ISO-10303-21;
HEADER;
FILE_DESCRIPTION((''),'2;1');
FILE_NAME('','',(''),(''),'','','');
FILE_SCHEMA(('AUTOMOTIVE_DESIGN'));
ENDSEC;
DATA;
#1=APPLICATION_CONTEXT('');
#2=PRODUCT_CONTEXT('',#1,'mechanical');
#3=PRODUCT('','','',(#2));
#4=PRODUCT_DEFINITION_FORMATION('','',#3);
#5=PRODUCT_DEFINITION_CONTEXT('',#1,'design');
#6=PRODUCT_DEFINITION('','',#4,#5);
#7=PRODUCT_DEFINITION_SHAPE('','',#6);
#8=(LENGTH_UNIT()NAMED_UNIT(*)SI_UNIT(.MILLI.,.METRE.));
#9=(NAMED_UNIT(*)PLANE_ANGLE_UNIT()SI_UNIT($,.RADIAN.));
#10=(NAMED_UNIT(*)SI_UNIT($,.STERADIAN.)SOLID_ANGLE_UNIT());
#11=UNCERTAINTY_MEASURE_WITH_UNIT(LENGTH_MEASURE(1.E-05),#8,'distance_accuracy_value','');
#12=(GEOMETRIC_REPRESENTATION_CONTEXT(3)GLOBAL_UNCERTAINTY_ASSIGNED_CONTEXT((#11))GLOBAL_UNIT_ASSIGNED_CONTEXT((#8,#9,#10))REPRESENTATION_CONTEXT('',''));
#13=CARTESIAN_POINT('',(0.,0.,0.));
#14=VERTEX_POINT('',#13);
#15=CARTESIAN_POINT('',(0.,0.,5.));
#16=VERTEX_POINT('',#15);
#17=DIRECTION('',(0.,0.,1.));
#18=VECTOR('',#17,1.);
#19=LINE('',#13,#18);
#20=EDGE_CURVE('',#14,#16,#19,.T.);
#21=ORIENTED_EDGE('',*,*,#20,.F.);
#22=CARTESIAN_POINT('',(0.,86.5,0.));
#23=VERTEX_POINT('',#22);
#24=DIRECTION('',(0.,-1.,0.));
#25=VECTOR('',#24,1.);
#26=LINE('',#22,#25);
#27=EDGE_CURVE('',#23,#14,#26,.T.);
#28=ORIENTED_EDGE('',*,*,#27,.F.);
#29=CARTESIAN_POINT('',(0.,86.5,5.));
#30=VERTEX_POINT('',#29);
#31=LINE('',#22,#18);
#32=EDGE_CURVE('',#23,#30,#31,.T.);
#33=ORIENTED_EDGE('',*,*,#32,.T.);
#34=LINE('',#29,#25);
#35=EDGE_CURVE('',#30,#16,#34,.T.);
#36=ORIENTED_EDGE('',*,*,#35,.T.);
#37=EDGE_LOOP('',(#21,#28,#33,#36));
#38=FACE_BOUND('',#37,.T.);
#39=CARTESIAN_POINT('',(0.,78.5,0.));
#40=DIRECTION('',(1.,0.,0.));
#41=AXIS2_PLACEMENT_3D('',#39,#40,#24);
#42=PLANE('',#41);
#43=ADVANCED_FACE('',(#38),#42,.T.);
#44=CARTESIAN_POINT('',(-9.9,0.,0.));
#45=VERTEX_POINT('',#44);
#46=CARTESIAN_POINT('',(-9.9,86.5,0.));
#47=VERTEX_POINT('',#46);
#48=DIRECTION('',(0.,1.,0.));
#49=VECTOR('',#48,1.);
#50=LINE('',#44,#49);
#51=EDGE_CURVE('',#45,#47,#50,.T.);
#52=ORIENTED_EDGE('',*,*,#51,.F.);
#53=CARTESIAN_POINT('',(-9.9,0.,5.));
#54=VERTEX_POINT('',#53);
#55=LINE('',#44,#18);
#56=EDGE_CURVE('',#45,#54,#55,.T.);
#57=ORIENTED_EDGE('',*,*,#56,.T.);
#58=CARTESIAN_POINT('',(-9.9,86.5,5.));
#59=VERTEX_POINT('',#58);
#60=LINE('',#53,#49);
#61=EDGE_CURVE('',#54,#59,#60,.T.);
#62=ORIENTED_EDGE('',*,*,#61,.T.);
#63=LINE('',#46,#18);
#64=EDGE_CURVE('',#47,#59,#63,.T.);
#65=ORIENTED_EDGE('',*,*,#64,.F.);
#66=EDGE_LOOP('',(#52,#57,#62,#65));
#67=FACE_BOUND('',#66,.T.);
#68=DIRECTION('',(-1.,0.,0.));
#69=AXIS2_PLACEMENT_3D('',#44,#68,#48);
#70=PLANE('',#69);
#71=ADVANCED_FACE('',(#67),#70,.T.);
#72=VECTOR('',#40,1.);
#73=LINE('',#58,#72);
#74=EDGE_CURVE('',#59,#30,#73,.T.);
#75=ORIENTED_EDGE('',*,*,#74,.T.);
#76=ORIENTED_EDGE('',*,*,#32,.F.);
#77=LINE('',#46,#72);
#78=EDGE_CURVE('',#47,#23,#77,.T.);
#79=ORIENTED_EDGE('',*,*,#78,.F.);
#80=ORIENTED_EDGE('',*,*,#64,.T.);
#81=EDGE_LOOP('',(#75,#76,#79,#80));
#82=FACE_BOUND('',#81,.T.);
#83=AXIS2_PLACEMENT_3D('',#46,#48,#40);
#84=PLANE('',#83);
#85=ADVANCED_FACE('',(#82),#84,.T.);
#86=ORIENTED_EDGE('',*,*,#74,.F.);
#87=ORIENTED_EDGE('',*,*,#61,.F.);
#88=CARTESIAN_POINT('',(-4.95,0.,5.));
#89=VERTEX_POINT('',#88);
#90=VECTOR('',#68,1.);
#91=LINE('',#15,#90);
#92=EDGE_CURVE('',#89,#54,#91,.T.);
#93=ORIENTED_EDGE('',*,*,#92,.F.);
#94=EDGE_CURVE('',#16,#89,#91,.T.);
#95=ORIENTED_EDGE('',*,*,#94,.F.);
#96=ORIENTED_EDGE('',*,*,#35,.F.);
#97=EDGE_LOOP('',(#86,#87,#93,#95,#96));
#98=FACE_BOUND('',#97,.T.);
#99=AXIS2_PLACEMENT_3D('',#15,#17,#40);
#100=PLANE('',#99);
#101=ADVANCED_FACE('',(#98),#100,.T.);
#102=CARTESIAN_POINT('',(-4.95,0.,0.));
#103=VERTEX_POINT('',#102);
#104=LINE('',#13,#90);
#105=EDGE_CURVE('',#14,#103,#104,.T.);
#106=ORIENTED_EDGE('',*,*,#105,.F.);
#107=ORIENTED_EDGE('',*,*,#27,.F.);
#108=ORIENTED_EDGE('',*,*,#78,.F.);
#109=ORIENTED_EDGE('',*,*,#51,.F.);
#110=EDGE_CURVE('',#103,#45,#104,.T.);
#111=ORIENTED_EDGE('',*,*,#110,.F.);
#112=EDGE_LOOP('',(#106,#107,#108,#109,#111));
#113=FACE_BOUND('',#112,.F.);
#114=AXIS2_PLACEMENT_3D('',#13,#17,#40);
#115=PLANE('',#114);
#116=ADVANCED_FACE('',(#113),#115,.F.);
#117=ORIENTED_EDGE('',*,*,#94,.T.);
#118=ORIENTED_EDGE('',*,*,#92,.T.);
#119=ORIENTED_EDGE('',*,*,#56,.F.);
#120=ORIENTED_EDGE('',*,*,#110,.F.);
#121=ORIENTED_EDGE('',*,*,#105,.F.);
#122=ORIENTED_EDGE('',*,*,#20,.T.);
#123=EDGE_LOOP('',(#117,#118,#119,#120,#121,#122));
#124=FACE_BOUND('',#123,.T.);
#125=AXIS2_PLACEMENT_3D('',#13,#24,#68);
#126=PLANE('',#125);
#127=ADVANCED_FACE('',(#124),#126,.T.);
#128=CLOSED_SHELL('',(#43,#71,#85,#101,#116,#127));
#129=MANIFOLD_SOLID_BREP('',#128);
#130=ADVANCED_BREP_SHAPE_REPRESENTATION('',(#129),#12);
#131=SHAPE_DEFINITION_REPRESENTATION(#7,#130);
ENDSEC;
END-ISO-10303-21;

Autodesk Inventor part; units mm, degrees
ref_plane "YZ Plane" through (0, 0, 0) normal (1, 0, 0) x (0, 1, 0)
ref_plane "XZ Plane" through (0, 0, 0) normal (0, 1, 0) x (-1, 0, 0)
ref_plane "XY Plane" through (0, 0, 0) normal (0, 0, 1) x (1, 0, 0)
sketch "Sketch2" plane through (0, 0, 0) normal (0, 0, 1) x (1, 0, 0)
  line L0 (0, 0) -> (-9.9, 0)
  line L1 (-9.9, 0) -> (-9.9, 105)
  line L2 (-9.9, 105) -> (0, 105)
  line L3 (0, 105) -> (0, 0)
  line L4 (-4.95, 0) -> (-4.95, 2.5)
  line L5 (-4.95, 0) -> (-2.45, 0) construction
  circle A0 centre (-4.95, 5) radius 2.5
  line L6 (-4.95, 7.5) -> (32.05, 7.5) construction
  line L7 (0, 44.5) -> (0, 0)
  line L8 (0, 0) -> (-9.9, 0)
  line L9 (-9.9, 0) -> (-9.9, 44.5)
  line L10 (0, 45.5) -> (0, 0)
  line L11 (0, 0) -> (-9.9, 0)
  line L12 (-9.9, 0) -> (-9.9, 45.5)
  line L13 (-4.95, 7.5) -> (66.05, 7.5) construction
  line L14 (-9.9, 78.5) -> (0, 78.5)
  line L15 (0, 0) -> (-9.9, 0)
  line L16 (-9.9, 0) -> (-9.9, 86.5)
  line L17 (-9.9, 86.5) -> (0, 86.5)
  line L18 (0, 86.5) -> (0, 0)
  dimension "d35" = 5
  dimension "d4" = 9.9
  dimension "d5" = 105
  dimension "d33" = 2.5
  dimension "d34" = 90
  dimension "d46" = 9.9
  dimension "d47" = 86.5
extrude "Extrusion6" add sketch "Sketch2" along normal blind 5 contours A0 | L0 L1 L14 L3 | L14 L1 L17 L3
properties part number "Elbow_Cube_Holder_TestFit_V2"
